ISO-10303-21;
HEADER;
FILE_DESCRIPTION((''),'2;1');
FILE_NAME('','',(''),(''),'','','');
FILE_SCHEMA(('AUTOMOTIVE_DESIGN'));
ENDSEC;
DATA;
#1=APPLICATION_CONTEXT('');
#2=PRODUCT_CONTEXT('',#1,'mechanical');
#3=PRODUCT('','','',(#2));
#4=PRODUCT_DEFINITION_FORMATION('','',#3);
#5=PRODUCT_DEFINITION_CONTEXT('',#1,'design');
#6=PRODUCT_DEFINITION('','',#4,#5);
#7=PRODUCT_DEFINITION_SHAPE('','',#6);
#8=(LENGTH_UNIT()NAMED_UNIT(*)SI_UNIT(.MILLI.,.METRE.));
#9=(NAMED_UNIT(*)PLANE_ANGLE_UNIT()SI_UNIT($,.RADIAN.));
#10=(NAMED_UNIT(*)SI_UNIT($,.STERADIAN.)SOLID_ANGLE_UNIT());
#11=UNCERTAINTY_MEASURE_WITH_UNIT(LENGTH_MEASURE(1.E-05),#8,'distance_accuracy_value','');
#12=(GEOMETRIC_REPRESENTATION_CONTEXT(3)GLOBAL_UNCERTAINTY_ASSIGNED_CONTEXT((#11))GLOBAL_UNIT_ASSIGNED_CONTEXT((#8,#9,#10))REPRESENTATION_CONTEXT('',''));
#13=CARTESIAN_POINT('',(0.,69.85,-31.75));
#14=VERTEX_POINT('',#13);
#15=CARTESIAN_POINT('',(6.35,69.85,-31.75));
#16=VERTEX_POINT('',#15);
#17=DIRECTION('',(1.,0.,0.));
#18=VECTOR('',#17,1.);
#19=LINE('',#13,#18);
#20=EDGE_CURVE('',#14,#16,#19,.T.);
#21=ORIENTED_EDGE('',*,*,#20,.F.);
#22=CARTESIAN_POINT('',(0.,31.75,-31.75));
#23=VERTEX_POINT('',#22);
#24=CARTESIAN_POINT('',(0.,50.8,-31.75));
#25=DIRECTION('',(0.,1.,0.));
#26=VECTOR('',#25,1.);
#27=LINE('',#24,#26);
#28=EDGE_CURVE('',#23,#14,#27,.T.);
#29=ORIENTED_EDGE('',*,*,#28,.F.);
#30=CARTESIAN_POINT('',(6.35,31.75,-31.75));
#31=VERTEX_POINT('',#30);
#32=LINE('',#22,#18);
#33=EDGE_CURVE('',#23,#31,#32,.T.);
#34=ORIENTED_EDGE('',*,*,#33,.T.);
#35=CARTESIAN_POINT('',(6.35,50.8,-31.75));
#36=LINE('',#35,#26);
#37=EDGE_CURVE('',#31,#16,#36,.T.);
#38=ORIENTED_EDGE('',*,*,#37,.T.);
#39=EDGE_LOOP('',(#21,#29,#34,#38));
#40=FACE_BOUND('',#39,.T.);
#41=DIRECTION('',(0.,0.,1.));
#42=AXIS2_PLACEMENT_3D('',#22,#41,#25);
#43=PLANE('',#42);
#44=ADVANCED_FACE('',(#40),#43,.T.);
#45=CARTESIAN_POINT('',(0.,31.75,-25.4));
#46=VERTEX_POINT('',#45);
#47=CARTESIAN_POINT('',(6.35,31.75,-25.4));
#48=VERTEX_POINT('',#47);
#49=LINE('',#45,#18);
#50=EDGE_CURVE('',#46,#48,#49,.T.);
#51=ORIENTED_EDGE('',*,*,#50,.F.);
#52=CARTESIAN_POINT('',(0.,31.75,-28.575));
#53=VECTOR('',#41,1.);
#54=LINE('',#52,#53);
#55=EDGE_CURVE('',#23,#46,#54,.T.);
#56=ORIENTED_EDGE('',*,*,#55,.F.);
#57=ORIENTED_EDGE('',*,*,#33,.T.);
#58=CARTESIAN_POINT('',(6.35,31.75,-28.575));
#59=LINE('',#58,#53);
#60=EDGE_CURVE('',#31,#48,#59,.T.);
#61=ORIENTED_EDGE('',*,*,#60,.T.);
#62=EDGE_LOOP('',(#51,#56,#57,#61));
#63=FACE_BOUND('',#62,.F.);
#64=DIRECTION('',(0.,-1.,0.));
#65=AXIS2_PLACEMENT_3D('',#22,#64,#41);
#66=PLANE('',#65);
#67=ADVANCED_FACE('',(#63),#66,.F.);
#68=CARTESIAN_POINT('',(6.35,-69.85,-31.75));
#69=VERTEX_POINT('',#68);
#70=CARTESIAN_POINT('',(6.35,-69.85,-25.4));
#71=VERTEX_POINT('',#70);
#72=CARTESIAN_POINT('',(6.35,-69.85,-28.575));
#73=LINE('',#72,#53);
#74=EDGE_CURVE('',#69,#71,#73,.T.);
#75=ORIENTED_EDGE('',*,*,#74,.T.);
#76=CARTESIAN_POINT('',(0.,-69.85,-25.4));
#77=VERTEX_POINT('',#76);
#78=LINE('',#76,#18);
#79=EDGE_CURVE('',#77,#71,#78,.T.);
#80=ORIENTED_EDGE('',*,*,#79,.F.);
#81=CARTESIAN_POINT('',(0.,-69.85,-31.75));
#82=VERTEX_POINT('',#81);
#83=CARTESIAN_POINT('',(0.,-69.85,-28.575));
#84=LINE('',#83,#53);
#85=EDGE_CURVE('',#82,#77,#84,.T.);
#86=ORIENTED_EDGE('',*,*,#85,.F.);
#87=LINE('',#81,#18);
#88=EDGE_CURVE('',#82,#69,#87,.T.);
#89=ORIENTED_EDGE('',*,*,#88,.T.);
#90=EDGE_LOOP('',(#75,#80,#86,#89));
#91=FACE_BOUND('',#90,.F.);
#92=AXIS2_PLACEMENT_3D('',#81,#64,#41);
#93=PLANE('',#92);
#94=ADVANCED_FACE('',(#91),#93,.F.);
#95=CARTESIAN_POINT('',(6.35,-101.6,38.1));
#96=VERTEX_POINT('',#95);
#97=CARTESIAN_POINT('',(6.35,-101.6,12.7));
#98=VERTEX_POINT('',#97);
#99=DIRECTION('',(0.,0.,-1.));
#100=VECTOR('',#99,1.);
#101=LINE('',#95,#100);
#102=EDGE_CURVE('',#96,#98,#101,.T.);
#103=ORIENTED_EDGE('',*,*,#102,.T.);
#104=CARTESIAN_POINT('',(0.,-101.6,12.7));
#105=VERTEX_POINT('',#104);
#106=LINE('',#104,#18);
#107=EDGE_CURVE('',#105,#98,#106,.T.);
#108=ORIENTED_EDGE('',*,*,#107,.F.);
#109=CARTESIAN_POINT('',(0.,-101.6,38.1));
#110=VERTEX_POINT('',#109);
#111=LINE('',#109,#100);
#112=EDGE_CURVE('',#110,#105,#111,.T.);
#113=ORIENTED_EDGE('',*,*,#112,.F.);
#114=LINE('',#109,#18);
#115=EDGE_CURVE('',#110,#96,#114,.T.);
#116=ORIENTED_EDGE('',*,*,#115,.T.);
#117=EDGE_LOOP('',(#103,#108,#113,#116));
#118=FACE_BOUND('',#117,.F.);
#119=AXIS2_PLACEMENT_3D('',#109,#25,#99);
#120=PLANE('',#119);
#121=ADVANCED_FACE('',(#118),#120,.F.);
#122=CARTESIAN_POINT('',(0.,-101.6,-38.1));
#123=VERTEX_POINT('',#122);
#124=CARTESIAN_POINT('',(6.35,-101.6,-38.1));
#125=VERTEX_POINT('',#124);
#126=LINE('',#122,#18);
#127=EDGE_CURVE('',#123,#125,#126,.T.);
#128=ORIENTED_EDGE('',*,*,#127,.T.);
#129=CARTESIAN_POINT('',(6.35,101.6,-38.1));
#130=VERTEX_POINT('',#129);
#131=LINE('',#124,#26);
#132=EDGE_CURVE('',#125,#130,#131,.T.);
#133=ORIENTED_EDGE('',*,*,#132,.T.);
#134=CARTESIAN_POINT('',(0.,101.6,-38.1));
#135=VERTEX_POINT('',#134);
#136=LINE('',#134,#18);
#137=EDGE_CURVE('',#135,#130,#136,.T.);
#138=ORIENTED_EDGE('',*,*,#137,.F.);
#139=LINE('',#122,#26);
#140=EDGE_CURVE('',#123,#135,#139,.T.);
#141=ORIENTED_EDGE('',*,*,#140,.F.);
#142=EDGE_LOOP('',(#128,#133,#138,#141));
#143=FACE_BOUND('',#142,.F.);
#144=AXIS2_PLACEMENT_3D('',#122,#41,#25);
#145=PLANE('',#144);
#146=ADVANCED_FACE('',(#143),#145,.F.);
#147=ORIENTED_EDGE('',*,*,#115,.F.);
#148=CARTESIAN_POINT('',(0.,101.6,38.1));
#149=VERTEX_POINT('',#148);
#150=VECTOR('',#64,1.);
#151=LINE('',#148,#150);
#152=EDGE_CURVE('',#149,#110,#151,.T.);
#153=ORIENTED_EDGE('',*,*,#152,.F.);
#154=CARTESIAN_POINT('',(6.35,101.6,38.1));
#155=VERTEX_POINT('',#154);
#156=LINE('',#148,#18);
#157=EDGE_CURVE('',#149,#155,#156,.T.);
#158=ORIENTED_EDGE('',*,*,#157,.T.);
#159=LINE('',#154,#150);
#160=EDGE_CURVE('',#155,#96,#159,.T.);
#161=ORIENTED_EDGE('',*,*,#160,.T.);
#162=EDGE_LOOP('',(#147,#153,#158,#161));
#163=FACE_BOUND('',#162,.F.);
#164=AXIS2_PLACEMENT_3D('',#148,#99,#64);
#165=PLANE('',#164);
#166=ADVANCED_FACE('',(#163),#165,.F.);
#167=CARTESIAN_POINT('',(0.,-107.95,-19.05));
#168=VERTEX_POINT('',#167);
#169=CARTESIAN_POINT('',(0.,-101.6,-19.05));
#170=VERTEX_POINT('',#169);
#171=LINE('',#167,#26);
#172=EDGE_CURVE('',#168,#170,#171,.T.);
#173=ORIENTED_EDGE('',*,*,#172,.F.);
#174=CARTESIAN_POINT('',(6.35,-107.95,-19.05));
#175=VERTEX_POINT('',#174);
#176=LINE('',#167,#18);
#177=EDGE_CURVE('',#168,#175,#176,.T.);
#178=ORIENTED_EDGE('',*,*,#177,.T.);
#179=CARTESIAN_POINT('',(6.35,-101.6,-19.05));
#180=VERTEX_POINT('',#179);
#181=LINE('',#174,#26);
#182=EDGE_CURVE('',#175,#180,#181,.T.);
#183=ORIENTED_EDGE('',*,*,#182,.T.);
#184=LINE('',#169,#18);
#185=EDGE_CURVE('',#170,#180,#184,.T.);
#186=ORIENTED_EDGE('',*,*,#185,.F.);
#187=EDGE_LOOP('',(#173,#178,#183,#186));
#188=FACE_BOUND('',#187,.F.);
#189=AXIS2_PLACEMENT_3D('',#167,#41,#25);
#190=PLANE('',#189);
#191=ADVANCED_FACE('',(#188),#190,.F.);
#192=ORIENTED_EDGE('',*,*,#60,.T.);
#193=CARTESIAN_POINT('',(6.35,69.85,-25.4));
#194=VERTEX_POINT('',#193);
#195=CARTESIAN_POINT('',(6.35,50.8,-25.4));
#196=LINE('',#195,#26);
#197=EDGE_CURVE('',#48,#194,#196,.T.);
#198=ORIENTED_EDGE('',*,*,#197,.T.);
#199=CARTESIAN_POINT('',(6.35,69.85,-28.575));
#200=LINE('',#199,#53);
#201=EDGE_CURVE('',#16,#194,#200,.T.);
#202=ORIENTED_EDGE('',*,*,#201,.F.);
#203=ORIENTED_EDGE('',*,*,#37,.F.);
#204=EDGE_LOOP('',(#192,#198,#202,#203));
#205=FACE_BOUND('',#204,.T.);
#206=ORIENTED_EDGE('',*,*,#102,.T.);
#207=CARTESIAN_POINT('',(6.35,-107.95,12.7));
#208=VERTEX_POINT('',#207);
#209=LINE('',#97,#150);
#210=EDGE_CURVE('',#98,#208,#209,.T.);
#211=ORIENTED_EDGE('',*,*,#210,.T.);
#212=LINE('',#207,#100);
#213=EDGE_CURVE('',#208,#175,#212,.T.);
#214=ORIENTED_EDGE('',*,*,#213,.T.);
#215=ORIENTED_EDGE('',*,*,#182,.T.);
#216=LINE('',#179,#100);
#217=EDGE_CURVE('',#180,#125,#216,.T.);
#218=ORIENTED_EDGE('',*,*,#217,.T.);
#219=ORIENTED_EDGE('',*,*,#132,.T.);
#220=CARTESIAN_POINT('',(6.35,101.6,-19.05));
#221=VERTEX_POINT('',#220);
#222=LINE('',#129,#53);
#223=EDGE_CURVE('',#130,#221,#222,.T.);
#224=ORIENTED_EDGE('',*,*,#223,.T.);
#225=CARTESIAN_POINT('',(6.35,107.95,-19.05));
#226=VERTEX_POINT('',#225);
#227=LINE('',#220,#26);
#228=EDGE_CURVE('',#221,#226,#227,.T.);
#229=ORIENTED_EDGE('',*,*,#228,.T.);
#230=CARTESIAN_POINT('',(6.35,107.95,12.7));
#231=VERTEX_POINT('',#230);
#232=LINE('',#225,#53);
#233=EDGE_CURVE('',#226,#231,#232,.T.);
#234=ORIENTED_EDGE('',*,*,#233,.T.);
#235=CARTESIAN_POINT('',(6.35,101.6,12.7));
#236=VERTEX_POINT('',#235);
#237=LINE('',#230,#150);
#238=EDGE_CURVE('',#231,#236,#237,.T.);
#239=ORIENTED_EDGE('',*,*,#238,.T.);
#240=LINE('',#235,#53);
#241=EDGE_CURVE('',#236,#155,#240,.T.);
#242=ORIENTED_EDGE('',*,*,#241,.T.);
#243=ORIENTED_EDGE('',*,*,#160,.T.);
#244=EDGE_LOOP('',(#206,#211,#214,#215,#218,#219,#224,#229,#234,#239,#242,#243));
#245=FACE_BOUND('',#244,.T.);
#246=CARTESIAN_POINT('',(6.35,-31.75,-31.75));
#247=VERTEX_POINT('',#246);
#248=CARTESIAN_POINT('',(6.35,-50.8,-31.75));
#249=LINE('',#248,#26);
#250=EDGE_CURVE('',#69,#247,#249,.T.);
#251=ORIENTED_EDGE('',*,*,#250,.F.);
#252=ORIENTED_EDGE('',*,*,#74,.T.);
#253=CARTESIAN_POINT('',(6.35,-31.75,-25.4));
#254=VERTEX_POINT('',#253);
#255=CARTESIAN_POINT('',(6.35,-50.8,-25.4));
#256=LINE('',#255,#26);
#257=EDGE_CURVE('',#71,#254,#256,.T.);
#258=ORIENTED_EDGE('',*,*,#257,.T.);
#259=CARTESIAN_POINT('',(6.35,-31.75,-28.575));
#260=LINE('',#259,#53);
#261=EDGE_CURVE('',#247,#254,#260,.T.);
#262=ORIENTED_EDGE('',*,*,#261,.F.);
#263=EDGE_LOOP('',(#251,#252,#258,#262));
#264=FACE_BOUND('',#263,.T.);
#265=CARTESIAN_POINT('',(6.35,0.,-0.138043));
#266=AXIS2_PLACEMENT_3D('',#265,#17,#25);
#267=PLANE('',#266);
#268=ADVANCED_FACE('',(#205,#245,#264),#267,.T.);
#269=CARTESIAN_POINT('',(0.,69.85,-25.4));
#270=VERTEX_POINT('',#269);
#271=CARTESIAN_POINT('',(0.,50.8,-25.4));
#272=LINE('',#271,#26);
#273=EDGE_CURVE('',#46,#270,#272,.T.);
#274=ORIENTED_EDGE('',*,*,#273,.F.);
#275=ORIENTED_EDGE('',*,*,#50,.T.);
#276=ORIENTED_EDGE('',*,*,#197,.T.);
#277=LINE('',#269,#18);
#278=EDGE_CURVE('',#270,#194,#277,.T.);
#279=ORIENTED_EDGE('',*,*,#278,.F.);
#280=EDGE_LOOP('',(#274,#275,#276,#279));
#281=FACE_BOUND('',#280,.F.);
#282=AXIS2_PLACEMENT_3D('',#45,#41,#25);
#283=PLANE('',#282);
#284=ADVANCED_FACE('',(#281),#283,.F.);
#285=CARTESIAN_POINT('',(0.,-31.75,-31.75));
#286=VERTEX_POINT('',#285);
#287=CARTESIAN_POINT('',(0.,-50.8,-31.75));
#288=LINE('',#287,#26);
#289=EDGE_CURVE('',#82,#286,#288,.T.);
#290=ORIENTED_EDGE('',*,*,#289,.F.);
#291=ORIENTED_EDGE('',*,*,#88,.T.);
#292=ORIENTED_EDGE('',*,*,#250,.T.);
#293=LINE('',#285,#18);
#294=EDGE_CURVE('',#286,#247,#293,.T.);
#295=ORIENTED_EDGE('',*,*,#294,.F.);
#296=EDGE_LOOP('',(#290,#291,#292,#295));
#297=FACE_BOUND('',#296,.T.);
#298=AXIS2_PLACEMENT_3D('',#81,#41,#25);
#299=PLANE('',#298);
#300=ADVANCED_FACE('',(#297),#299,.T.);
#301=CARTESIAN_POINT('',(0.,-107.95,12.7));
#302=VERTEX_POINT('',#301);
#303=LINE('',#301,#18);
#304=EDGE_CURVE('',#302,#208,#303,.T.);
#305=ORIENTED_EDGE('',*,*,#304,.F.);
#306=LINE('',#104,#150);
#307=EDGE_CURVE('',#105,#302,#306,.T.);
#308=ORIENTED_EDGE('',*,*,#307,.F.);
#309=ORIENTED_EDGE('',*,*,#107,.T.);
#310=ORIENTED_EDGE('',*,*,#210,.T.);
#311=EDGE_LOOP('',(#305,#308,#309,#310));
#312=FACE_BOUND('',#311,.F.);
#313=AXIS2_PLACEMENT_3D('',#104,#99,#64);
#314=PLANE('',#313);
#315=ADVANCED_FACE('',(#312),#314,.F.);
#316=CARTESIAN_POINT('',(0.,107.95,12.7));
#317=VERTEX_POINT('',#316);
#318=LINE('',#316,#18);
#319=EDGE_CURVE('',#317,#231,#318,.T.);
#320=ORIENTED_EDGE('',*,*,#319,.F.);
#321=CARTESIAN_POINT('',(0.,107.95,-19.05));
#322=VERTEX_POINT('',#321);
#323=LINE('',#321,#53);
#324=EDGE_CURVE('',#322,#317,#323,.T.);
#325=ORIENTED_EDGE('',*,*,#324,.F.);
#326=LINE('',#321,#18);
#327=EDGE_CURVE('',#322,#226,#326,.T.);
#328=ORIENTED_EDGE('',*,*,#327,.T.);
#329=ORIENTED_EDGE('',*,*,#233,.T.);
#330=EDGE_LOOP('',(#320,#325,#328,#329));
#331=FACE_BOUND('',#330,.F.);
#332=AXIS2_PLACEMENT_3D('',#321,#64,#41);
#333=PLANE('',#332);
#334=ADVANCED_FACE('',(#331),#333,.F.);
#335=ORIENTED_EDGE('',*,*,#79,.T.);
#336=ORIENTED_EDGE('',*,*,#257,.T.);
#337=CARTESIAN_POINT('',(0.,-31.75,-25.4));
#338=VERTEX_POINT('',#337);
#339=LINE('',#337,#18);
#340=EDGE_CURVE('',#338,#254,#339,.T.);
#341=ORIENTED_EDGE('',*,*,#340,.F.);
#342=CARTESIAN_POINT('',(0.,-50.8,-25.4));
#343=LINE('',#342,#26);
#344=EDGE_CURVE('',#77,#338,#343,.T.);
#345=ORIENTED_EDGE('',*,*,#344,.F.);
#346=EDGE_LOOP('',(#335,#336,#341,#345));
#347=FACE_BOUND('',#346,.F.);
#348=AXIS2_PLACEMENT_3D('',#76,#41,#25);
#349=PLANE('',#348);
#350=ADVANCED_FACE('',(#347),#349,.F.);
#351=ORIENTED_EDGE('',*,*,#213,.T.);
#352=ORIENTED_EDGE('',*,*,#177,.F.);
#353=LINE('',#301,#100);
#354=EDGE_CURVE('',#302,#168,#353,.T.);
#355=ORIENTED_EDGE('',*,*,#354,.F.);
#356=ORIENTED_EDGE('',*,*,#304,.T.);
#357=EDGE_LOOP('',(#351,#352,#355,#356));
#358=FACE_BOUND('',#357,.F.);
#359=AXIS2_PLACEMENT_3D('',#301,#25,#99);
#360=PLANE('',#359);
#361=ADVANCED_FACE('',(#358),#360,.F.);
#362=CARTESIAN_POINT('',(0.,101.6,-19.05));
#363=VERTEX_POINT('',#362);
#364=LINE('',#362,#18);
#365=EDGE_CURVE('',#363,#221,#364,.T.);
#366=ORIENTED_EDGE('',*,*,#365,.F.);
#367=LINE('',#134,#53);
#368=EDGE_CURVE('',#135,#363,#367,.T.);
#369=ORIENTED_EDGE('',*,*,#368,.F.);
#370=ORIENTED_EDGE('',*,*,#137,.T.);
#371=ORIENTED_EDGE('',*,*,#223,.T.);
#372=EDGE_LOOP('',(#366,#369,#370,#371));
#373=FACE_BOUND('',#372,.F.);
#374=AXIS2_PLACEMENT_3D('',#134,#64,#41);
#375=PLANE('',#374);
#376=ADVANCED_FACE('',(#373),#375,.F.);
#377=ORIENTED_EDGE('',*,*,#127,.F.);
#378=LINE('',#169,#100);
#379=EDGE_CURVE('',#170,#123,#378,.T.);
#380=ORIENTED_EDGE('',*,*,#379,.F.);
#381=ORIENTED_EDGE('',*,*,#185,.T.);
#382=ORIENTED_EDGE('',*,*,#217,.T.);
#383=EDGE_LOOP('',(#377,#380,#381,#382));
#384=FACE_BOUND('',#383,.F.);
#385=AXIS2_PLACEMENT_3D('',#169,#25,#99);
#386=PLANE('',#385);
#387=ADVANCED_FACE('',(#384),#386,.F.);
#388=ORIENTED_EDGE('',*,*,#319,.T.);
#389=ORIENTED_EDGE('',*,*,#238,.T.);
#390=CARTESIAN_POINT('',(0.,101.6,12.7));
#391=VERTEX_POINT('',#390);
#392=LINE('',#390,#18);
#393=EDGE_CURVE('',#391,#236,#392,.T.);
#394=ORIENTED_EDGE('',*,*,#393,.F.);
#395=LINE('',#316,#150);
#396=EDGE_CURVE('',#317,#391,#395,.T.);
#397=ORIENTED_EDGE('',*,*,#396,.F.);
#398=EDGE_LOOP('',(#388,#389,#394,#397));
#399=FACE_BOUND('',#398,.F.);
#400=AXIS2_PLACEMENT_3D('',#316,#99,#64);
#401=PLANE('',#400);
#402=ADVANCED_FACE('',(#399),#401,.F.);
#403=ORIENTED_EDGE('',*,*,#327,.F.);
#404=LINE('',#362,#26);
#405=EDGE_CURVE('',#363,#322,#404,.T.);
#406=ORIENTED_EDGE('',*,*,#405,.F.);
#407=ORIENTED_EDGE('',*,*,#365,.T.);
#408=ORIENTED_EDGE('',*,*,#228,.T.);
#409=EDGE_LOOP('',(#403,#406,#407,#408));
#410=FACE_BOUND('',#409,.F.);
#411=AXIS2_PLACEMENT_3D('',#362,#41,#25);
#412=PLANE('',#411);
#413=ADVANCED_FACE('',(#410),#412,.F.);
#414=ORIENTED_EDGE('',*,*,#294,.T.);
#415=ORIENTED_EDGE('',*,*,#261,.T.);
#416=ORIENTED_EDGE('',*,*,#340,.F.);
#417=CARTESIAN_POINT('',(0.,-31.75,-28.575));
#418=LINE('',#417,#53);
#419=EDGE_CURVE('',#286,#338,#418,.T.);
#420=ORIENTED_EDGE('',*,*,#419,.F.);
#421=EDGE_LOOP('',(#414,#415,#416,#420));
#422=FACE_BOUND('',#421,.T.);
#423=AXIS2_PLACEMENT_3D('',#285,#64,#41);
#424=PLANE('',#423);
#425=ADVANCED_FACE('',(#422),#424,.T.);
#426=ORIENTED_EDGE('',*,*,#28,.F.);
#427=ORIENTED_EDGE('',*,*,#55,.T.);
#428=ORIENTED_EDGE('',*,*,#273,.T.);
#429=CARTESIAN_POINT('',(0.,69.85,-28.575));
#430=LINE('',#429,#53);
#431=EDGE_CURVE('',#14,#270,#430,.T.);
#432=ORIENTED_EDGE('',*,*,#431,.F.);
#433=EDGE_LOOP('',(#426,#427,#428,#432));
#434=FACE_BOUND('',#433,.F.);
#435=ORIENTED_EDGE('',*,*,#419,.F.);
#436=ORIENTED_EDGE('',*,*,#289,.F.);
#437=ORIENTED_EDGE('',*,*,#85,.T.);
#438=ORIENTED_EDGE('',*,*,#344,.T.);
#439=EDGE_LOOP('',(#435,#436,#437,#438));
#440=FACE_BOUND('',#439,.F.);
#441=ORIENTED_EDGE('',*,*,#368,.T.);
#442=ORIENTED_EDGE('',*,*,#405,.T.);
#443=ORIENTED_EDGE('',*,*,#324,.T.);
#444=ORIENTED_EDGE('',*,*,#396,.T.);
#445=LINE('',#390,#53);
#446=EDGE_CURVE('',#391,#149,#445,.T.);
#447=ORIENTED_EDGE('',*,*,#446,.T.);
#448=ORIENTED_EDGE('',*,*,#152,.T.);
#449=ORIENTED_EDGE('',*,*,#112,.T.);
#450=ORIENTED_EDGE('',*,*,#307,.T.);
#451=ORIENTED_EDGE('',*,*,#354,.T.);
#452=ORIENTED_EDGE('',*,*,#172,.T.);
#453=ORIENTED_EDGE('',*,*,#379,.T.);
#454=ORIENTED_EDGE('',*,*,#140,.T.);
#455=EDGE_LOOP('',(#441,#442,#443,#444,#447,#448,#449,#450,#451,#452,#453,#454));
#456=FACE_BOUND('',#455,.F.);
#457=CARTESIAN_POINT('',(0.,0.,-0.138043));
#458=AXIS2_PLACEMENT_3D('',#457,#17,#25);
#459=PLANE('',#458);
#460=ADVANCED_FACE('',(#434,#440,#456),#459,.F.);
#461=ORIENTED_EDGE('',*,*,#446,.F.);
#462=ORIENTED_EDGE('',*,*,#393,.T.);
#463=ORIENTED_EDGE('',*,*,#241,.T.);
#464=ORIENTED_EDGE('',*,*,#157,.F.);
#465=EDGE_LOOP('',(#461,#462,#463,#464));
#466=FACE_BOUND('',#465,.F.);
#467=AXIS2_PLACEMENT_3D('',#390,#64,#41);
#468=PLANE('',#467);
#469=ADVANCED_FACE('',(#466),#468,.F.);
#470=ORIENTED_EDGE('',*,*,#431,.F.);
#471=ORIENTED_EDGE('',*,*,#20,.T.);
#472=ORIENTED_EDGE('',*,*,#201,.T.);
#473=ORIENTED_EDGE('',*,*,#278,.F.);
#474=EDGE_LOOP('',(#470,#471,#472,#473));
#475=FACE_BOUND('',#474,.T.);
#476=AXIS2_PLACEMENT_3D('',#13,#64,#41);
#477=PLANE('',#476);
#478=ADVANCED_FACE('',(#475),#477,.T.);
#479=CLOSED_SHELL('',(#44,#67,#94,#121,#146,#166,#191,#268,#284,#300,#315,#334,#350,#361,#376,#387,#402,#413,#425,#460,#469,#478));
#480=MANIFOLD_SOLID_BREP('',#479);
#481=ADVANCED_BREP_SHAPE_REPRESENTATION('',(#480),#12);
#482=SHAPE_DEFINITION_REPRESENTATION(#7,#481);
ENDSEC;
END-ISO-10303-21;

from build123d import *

# Parameters (mm, degrees)
F0_W     = 38.1
F0_H     = 6.35
F1_DEPTH = 6.35


with BuildPart() as f1:
    # F0 (on Right) → F1 (new body)
    with BuildSketch(Plane.YZ):
        Polygon((101.6, 38.1), (-101.6, 38.1), (-101.6, 12.7), (-107.95, 12.7), (-107.95, -19.05), (-101.6, -19.05), (-101.6, -38.1), (101.6, -38.1), (101.6, -19.05), (107.95, -19.05), (107.95, 12.7), (101.6, 12.7), align=None)
        with Locations((-50.8, -28.575)):
            Rectangle(F0_W, F0_H, mode=Mode.SUBTRACT)
        with Locations((50.8, -28.575)):
            Rectangle(F0_W, F0_H, mode=Mode.SUBTRACT)
    extrude(amount=F1_DEPTH)


solid = f1.part
